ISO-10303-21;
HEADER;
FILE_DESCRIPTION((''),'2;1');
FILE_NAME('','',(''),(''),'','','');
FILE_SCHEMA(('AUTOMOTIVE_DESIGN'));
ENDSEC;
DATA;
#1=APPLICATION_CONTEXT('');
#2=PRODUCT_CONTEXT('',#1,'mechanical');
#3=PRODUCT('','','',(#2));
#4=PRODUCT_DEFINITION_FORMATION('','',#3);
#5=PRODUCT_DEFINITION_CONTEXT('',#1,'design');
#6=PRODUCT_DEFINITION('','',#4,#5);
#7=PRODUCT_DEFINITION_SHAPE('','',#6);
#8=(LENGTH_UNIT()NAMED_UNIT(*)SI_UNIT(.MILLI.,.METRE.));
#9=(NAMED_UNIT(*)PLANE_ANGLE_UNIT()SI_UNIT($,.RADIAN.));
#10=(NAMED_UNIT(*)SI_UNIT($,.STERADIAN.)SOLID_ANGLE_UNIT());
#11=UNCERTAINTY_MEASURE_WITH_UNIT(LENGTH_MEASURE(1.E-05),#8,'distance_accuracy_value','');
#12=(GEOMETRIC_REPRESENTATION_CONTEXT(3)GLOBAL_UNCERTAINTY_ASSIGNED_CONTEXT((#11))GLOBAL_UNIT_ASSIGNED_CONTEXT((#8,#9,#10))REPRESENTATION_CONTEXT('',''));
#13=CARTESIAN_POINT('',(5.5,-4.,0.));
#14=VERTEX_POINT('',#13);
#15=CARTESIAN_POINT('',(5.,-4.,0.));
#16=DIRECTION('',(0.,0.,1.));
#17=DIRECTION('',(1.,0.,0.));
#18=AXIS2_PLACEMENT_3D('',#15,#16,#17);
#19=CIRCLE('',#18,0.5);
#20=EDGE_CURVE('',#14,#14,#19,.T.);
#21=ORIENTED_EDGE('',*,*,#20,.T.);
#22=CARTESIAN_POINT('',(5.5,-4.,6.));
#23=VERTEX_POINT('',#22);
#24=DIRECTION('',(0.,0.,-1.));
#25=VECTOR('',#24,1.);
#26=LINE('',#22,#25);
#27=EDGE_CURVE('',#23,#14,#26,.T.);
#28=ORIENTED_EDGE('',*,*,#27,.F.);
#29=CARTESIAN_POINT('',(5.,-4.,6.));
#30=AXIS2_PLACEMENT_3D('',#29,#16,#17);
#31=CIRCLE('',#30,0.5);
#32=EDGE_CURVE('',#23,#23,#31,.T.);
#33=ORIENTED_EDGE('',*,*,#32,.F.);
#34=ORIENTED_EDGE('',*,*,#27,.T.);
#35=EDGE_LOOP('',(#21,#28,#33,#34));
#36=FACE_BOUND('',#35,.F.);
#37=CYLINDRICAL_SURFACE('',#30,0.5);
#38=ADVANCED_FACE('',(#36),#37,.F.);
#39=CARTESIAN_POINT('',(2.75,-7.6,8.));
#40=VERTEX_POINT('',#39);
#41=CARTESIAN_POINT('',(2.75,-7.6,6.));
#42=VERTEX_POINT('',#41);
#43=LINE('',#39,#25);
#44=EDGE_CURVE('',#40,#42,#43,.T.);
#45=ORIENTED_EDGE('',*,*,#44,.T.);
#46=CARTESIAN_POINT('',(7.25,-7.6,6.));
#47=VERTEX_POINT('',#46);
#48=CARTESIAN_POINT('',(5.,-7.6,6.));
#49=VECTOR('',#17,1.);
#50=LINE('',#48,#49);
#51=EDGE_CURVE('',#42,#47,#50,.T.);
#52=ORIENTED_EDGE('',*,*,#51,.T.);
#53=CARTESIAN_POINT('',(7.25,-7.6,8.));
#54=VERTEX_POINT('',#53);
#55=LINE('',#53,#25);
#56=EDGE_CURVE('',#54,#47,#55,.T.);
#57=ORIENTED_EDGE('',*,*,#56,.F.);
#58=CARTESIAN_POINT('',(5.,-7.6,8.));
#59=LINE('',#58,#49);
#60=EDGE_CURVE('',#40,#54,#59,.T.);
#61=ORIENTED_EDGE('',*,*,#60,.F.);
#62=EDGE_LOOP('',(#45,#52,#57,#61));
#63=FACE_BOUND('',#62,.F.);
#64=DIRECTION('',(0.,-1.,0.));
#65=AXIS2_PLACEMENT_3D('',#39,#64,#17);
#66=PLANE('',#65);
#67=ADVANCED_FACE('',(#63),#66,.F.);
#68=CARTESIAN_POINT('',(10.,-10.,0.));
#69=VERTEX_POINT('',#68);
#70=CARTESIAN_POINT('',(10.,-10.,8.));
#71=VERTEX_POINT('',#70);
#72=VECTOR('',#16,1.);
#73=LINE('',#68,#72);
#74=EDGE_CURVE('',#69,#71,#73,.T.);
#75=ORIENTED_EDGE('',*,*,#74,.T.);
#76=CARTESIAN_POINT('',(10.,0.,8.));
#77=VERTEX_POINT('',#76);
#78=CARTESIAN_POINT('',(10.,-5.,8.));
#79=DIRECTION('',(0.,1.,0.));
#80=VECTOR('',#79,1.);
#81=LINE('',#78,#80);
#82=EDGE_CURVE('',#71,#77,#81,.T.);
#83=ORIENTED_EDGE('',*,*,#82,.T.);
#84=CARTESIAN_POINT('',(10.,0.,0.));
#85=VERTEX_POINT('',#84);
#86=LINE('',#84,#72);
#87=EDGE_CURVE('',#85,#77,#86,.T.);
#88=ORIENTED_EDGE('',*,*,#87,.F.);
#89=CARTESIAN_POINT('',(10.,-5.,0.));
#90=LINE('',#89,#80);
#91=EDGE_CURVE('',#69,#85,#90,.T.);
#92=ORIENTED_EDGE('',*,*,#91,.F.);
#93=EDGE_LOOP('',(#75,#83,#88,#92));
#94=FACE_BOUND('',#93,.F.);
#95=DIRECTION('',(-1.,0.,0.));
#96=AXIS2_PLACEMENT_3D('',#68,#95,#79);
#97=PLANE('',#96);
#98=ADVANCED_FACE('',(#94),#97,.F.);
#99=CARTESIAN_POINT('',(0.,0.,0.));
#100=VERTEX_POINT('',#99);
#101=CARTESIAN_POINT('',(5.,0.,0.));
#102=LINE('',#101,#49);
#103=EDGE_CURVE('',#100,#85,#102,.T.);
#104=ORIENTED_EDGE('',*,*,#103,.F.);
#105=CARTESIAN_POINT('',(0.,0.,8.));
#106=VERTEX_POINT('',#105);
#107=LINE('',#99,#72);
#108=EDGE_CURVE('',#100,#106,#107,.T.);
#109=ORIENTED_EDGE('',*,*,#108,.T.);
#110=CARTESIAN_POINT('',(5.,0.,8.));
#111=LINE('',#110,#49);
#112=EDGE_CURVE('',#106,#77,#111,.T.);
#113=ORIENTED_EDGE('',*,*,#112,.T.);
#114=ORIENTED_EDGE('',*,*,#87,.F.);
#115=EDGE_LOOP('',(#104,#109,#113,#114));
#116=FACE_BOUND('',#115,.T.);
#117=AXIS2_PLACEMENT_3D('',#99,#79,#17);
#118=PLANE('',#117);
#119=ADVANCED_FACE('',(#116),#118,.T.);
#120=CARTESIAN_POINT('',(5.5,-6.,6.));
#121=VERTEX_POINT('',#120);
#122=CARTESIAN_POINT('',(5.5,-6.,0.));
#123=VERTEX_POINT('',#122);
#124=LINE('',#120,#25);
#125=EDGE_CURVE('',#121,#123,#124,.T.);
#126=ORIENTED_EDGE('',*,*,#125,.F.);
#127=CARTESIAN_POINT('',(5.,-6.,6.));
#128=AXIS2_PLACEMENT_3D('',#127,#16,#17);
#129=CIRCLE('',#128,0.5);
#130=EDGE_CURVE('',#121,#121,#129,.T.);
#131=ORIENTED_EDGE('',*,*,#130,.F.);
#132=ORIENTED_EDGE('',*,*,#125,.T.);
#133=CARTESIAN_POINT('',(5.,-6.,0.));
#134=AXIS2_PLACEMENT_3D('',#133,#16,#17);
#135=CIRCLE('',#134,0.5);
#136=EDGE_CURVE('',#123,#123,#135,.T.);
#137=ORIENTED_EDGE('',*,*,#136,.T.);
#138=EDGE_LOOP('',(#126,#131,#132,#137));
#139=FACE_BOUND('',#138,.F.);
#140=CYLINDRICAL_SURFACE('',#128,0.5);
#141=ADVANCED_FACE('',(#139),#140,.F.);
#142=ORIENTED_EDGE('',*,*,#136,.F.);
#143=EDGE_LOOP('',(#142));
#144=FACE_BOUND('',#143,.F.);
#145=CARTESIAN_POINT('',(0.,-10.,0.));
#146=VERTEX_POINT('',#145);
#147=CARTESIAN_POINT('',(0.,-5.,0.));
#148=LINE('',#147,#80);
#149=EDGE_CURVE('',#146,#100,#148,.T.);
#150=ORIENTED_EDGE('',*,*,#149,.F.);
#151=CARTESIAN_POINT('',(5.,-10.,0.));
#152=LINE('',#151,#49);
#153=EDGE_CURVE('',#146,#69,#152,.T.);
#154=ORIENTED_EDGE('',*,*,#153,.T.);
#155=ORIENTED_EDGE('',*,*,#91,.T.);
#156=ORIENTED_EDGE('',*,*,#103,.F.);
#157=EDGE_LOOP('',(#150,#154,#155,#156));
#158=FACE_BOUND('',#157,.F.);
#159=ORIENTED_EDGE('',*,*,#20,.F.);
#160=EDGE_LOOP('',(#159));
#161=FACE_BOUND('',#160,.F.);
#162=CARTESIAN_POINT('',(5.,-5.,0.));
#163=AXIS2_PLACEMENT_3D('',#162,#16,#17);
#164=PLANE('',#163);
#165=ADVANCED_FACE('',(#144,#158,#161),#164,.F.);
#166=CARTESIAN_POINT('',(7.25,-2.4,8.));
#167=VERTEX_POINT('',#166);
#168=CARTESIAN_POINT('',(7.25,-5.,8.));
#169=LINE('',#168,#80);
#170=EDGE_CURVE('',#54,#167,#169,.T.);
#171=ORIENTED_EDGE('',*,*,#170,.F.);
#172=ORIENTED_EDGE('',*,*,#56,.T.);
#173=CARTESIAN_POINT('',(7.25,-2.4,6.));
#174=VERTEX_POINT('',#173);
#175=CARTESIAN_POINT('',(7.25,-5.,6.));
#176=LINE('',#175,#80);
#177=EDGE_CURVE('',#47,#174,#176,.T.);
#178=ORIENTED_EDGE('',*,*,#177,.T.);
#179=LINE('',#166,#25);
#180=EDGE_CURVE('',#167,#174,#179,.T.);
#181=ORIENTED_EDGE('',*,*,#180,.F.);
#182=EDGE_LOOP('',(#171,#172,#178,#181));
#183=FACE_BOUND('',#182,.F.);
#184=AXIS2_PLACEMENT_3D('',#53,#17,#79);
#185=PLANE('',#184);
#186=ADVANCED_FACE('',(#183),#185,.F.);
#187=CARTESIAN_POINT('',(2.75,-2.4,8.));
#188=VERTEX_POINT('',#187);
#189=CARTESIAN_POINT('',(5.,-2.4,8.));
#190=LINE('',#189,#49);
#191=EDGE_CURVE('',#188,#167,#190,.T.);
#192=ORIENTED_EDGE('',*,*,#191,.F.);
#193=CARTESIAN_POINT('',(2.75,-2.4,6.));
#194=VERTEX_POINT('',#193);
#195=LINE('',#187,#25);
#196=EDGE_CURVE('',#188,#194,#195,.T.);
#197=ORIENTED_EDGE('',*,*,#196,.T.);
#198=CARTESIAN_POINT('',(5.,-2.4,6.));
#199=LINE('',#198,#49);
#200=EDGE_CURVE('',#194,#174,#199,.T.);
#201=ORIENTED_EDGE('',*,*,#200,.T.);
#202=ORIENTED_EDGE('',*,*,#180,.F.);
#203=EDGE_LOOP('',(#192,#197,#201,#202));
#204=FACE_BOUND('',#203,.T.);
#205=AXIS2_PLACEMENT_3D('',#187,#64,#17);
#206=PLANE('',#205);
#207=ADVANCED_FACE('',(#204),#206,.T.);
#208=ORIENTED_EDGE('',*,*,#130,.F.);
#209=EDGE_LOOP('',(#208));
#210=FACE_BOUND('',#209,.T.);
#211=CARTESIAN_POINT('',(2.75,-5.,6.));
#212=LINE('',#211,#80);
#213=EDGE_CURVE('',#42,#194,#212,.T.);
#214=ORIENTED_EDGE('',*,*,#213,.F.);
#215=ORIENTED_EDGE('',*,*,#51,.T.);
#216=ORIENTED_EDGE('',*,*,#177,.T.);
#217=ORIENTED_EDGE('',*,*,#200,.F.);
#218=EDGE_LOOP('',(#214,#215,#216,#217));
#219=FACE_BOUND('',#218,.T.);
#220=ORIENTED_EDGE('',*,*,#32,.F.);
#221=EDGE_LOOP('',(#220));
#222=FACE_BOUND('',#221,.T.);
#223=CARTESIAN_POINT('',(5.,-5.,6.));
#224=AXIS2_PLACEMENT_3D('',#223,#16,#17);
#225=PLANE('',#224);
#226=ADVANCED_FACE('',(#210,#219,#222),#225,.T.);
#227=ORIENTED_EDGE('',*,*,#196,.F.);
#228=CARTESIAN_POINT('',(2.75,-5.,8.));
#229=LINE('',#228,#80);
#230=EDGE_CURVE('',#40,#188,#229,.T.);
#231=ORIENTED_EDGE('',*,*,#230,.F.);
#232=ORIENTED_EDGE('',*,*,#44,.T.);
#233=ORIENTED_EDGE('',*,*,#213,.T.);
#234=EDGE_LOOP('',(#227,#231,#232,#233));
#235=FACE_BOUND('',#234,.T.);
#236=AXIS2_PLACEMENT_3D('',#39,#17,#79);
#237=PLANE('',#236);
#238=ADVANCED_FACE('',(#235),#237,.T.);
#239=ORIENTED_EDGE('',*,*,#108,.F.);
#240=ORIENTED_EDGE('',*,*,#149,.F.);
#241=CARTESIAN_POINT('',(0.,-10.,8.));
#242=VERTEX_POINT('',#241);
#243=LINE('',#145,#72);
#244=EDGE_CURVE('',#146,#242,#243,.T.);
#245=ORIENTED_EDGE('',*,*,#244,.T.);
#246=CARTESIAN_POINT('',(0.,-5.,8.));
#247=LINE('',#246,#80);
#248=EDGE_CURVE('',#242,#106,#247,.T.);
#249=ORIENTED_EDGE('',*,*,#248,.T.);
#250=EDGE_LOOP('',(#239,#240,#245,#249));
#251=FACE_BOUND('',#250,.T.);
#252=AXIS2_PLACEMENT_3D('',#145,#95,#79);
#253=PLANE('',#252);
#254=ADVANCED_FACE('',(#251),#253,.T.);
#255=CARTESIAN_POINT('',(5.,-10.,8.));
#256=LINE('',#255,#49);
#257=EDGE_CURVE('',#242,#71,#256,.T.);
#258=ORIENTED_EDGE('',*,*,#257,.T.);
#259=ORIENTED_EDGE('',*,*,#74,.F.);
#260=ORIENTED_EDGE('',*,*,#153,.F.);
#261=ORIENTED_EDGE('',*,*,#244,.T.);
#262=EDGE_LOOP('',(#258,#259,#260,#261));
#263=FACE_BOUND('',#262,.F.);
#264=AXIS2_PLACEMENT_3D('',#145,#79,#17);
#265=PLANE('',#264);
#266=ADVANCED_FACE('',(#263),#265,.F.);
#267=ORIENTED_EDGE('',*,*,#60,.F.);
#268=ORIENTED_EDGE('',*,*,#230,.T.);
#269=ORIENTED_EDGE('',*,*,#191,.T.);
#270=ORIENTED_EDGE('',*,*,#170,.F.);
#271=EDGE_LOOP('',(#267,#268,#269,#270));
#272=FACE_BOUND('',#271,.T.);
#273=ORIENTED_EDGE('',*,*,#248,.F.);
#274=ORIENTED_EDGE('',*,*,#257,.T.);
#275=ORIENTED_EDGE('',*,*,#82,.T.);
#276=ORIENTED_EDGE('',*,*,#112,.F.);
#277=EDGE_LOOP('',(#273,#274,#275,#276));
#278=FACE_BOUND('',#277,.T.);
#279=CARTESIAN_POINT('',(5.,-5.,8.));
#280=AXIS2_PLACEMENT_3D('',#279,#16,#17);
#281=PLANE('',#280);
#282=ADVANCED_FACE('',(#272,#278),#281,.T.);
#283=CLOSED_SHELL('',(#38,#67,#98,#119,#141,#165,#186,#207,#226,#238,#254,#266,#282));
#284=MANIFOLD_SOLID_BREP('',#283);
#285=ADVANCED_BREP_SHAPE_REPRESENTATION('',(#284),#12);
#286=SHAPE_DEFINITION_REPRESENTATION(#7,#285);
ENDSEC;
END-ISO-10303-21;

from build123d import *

# Parameters (mm, degrees)
F0_W     = 10
F0_H     = 10
F1_DEPTH = 8
F2_W     = 4.5
F2_H     = 5.2
F3_DEPTH = 2
F4_R     = 0.5
F5_DEPTH = 25


with BuildPart() as f1:
    # F0 (on Top) → F1 (new body)
    with BuildSketch(Plane.XY):
        with Locations((5, -5)):
            Rectangle(F0_W, F0_H)
    extrude(amount=F1_DEPTH)

    # F2 (on face) → F3 (cut)
    with BuildSketch(Plane.XY.offset(8)):
        with Locations((5, -5)):
            Rectangle(F2_W, F2_H)
    extrude(amount=-F3_DEPTH, mode=Mode.SUBTRACT)

    # F4 (on face) → F5 (cut)
    with BuildSketch(Plane.XY.offset(6)):
        with Locations((5, -4)):
            Circle(F4_R)
        with Locations((5, -6)):
            Circle(F4_R)
    extrude(amount=-F5_DEPTH, mode=Mode.SUBTRACT)


solid = f1.part
